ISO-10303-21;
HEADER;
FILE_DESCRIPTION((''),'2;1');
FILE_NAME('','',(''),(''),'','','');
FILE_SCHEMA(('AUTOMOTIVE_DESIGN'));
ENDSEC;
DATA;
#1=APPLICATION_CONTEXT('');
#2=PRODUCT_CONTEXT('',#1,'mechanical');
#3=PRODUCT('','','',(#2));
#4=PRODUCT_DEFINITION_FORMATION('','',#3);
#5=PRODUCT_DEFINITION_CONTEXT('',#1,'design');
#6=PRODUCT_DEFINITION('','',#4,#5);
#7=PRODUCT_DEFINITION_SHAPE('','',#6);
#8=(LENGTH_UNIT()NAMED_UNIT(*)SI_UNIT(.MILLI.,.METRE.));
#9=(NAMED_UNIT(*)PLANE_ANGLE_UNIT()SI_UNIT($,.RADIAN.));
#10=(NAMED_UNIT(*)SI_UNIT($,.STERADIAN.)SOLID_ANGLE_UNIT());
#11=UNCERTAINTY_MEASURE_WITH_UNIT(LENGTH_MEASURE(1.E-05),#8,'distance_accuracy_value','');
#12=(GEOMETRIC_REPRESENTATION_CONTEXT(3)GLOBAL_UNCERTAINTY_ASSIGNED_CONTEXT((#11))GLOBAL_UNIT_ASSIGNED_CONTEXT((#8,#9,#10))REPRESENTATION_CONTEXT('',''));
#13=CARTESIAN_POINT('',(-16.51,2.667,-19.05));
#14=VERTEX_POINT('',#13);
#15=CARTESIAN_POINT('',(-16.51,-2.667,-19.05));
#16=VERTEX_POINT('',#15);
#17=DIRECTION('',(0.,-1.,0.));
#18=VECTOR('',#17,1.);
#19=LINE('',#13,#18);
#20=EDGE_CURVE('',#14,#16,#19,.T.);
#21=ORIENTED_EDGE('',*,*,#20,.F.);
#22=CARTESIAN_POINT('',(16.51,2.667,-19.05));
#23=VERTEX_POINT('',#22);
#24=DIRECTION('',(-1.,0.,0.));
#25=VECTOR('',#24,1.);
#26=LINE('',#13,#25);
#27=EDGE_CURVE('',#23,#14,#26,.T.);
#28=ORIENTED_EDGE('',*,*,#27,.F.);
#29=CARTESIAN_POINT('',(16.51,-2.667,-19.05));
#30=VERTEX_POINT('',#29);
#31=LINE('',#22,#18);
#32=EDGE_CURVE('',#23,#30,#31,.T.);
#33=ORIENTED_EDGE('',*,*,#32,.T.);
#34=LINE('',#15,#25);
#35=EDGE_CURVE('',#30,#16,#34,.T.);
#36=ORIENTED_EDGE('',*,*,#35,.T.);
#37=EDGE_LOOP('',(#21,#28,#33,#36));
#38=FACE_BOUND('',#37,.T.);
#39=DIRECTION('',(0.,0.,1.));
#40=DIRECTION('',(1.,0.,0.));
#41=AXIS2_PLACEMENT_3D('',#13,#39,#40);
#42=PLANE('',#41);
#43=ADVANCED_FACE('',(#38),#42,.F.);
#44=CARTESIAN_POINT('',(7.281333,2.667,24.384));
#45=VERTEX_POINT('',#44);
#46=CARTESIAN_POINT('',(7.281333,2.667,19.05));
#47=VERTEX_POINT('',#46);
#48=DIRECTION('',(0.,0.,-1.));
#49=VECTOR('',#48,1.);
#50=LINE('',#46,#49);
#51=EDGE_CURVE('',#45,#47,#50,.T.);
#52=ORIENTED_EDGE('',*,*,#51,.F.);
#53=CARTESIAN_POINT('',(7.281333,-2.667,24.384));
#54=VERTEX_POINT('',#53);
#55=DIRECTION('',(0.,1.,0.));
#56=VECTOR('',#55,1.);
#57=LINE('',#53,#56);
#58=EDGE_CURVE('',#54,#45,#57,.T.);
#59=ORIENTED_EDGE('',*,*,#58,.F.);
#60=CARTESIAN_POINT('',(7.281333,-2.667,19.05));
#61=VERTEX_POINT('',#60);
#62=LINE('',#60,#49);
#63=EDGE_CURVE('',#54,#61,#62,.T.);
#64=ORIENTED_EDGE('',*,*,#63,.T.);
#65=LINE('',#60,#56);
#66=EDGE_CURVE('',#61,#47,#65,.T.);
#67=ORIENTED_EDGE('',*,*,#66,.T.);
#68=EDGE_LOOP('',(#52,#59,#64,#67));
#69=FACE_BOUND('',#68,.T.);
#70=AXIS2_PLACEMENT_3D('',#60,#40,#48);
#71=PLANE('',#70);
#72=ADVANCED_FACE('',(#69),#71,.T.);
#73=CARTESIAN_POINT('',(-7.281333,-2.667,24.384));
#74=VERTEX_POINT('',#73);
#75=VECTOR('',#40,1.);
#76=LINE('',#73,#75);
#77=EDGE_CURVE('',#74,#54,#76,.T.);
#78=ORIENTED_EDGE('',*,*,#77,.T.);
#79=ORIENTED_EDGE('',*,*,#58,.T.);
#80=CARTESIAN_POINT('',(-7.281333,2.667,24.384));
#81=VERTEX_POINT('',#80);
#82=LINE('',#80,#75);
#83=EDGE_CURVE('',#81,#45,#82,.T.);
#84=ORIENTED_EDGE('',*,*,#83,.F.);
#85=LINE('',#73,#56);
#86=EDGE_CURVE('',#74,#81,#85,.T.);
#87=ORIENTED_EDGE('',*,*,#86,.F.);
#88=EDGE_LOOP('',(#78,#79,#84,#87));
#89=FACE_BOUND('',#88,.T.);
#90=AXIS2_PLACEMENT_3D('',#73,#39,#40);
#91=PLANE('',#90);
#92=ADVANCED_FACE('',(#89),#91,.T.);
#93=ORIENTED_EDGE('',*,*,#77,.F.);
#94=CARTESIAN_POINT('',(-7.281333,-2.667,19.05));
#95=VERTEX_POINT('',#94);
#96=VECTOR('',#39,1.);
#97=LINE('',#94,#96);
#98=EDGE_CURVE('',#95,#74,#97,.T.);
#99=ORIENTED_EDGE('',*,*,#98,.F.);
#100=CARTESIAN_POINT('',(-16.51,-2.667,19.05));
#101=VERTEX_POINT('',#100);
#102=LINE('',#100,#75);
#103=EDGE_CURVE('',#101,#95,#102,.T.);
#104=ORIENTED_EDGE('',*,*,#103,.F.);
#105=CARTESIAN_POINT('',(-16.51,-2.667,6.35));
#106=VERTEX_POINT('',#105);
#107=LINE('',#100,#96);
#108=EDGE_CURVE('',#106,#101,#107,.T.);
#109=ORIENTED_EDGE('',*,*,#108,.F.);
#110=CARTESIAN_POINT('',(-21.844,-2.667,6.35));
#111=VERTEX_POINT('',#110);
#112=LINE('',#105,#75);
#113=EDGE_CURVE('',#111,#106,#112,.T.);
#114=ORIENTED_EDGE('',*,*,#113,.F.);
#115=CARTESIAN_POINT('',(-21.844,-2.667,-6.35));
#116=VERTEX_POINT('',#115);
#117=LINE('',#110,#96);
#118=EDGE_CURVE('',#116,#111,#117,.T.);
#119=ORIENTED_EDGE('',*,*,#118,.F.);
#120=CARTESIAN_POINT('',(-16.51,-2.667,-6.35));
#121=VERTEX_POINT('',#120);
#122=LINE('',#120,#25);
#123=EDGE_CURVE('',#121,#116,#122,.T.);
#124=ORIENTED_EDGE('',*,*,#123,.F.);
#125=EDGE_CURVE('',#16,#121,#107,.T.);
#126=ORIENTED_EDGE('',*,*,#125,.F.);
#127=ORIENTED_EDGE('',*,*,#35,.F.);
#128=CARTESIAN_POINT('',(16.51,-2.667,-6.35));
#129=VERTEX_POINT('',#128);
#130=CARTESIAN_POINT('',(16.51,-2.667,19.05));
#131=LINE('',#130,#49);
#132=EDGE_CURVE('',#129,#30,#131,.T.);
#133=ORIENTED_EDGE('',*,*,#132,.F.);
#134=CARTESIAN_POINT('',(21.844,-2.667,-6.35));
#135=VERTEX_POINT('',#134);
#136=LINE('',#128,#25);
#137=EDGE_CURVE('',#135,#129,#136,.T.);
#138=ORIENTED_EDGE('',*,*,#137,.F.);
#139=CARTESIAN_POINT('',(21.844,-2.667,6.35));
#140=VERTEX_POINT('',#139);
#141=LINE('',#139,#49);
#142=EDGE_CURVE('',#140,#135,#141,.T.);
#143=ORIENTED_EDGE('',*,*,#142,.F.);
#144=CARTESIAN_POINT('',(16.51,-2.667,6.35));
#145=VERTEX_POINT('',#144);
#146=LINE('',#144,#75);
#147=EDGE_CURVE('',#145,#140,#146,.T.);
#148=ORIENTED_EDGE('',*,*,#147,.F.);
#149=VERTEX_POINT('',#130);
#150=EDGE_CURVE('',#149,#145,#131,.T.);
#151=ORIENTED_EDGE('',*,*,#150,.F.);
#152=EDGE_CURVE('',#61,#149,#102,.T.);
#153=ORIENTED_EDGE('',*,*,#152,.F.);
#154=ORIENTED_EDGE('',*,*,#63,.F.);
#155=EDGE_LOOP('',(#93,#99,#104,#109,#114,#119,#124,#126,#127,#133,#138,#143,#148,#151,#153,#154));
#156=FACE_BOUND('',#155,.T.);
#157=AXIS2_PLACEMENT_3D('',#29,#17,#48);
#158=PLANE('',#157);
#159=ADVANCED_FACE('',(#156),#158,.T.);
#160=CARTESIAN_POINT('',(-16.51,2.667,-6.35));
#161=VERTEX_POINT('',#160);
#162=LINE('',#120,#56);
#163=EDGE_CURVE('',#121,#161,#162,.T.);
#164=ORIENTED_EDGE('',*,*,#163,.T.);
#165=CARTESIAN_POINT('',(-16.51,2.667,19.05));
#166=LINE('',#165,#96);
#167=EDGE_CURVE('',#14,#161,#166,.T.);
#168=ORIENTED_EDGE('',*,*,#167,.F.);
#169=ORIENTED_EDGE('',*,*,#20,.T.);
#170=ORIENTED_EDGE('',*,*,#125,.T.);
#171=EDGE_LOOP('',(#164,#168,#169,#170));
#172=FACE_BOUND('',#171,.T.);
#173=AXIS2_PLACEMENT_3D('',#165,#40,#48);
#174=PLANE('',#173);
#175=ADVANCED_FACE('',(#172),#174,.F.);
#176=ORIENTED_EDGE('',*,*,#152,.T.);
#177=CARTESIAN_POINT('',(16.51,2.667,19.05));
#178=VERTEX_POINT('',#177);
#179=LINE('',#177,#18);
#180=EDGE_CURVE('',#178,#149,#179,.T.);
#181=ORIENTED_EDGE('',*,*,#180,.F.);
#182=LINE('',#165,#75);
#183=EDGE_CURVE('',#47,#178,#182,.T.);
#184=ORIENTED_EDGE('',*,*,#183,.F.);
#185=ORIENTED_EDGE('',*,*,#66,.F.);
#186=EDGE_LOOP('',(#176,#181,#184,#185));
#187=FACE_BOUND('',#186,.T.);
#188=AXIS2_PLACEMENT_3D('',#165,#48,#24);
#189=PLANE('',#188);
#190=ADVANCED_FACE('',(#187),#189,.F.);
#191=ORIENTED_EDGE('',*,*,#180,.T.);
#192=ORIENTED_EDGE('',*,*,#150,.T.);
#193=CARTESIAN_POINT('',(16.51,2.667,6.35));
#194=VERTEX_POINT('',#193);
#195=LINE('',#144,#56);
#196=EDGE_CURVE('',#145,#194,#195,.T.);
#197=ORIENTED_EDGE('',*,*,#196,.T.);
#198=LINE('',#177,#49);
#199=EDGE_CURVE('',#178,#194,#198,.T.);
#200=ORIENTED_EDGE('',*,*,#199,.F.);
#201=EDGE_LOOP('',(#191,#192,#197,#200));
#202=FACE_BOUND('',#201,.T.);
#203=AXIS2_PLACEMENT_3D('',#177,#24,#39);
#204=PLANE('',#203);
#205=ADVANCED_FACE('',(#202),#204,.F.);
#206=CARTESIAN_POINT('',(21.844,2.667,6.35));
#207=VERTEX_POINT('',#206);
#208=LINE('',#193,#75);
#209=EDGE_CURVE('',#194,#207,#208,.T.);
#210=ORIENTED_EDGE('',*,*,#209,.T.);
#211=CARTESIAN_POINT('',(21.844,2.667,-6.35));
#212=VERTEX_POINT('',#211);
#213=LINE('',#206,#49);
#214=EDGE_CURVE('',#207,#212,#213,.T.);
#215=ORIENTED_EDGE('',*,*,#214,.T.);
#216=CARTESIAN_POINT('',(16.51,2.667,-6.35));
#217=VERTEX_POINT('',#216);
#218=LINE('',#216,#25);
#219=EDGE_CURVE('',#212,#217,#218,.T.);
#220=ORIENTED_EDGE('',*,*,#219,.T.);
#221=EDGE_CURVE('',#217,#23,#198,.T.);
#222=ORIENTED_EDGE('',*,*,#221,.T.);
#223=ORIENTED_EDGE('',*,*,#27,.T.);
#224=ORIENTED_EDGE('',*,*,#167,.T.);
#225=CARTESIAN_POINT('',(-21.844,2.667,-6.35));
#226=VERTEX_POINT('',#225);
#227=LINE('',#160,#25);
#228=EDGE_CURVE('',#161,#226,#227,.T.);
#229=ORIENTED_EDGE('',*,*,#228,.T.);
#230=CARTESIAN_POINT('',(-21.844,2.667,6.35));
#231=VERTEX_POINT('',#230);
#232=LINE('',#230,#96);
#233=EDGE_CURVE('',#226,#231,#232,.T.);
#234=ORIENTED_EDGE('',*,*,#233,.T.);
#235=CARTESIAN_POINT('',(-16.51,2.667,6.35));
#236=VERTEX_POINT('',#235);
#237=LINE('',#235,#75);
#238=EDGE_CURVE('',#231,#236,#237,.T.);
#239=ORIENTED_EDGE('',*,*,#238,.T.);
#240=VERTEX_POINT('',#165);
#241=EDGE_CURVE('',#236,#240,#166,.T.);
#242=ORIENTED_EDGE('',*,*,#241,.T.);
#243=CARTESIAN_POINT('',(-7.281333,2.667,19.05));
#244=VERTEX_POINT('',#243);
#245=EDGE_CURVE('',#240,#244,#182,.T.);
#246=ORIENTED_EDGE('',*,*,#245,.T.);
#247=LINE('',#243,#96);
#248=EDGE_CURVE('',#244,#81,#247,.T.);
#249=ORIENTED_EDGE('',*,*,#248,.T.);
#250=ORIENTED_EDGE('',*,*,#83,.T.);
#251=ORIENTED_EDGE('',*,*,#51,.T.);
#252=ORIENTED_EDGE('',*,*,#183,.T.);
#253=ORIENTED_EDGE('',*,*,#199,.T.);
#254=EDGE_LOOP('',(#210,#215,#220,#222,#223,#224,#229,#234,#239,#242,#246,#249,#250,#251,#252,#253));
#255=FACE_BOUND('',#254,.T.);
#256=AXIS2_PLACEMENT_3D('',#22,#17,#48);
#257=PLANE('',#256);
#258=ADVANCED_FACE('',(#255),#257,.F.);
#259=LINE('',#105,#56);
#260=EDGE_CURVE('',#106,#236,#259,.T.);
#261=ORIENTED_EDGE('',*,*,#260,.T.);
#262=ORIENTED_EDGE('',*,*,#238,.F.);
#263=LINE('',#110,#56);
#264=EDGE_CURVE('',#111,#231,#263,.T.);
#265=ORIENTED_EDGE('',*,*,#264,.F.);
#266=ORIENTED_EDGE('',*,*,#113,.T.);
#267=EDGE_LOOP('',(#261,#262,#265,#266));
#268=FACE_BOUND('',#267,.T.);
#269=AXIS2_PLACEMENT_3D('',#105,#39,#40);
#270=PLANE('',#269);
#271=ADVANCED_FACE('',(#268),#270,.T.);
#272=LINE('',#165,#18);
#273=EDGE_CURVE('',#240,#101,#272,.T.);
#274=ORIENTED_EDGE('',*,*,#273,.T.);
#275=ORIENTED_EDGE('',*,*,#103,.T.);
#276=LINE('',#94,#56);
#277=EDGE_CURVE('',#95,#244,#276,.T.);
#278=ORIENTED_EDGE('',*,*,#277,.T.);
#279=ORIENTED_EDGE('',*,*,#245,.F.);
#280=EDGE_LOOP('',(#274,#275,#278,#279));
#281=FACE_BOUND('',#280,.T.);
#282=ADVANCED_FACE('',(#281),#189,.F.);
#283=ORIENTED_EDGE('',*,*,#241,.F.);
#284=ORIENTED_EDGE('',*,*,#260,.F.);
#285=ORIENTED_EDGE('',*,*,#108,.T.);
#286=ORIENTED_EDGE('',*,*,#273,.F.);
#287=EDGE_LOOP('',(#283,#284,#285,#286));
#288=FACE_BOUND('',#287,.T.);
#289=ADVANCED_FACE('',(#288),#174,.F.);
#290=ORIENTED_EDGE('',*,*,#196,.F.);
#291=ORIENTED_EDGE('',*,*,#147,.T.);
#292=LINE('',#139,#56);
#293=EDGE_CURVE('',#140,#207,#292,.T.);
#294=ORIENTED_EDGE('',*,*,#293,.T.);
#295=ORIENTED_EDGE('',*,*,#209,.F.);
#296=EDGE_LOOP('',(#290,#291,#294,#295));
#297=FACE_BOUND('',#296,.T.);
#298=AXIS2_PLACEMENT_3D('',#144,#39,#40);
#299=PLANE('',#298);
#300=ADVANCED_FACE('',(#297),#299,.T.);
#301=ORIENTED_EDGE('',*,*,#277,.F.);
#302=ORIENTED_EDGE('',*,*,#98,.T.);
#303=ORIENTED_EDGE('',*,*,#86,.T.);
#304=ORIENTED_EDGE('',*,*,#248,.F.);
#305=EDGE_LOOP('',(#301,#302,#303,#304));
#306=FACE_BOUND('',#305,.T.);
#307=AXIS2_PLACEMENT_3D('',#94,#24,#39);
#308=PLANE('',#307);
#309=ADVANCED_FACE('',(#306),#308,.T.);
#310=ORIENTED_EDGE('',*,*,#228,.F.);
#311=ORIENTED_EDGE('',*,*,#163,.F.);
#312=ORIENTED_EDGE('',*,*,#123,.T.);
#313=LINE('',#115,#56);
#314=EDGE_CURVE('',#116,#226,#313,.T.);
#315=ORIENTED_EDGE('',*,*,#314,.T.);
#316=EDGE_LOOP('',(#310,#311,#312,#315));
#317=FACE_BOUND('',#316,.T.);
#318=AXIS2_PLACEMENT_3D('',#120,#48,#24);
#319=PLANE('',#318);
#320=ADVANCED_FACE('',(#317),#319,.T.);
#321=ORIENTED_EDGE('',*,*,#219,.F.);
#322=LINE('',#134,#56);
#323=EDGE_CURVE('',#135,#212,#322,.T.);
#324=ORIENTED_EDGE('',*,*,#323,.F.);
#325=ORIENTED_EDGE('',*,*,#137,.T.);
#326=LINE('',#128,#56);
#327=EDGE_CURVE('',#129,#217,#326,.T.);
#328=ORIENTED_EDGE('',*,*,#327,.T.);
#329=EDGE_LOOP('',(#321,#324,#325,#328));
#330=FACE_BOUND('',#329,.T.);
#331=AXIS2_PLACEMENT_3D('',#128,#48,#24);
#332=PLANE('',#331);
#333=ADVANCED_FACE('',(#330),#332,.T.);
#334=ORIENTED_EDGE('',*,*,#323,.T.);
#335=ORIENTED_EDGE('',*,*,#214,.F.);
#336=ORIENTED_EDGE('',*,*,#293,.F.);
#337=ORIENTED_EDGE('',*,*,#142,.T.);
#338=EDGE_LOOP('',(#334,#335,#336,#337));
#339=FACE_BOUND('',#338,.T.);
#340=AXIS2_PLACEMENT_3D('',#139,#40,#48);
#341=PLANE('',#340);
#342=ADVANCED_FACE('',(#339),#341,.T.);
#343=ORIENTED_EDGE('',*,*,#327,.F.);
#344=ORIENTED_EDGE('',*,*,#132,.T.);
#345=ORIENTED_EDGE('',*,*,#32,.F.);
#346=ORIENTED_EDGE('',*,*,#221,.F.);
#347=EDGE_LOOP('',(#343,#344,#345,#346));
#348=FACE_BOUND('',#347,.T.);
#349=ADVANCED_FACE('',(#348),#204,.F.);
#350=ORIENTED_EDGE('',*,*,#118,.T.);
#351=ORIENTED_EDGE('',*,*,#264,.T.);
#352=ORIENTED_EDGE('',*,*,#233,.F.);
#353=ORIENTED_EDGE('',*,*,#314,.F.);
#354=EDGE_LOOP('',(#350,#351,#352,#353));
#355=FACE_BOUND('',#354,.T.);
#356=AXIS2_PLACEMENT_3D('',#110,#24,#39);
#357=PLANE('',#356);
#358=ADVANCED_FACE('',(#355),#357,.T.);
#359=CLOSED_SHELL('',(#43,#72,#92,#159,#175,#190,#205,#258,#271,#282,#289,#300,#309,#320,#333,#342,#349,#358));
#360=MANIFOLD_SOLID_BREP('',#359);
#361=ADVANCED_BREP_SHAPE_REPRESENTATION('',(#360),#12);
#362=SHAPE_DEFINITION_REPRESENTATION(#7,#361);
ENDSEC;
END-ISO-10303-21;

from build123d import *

# Parameters (mm, degrees)
SKETCH1_W           = 33.02
SKETCH1_H           = 38.1
BOSS_EXTRUDE1_DEPTH = 2.667
SKETCH2_W           = 14.562666666
SKETCH2_H           = 5.334
SKETCH2_W_2         = 5.334
SKETCH2_H_2         = 12.7
BOSS_EXTRUDE2_DEPTH = 5.334


with BuildPart() as part:
    # Sketch1 → Boss-Extrude1 (new body, symmetric)
    with BuildSketch(Plane(origin=(0, 0, 0), x_dir=(1, 0, 0), z_dir=(0, 1, 0))):
        Rectangle(SKETCH1_W, SKETCH1_H)
    extrude(amount=BOSS_EXTRUDE1_DEPTH, both=True)

    # Sketch2 → Boss-Extrude2 (add)
    with BuildSketch(Plane(origin=(0, 2.667, 0), x_dir=(1, 0, 0), z_dir=(0, 1, 0))):
        with Locations((0, -21.717)):
            Rectangle(SKETCH2_W, SKETCH2_H)
        with Locations((-19.177, 0)):
            Rectangle(SKETCH2_W_2, SKETCH2_H_2)
        with Locations((19.177, 0)):
            Rectangle(SKETCH2_W_2, SKETCH2_H_2)
    extrude(amount=-BOSS_EXTRUDE2_DEPTH)


solid = part.part
